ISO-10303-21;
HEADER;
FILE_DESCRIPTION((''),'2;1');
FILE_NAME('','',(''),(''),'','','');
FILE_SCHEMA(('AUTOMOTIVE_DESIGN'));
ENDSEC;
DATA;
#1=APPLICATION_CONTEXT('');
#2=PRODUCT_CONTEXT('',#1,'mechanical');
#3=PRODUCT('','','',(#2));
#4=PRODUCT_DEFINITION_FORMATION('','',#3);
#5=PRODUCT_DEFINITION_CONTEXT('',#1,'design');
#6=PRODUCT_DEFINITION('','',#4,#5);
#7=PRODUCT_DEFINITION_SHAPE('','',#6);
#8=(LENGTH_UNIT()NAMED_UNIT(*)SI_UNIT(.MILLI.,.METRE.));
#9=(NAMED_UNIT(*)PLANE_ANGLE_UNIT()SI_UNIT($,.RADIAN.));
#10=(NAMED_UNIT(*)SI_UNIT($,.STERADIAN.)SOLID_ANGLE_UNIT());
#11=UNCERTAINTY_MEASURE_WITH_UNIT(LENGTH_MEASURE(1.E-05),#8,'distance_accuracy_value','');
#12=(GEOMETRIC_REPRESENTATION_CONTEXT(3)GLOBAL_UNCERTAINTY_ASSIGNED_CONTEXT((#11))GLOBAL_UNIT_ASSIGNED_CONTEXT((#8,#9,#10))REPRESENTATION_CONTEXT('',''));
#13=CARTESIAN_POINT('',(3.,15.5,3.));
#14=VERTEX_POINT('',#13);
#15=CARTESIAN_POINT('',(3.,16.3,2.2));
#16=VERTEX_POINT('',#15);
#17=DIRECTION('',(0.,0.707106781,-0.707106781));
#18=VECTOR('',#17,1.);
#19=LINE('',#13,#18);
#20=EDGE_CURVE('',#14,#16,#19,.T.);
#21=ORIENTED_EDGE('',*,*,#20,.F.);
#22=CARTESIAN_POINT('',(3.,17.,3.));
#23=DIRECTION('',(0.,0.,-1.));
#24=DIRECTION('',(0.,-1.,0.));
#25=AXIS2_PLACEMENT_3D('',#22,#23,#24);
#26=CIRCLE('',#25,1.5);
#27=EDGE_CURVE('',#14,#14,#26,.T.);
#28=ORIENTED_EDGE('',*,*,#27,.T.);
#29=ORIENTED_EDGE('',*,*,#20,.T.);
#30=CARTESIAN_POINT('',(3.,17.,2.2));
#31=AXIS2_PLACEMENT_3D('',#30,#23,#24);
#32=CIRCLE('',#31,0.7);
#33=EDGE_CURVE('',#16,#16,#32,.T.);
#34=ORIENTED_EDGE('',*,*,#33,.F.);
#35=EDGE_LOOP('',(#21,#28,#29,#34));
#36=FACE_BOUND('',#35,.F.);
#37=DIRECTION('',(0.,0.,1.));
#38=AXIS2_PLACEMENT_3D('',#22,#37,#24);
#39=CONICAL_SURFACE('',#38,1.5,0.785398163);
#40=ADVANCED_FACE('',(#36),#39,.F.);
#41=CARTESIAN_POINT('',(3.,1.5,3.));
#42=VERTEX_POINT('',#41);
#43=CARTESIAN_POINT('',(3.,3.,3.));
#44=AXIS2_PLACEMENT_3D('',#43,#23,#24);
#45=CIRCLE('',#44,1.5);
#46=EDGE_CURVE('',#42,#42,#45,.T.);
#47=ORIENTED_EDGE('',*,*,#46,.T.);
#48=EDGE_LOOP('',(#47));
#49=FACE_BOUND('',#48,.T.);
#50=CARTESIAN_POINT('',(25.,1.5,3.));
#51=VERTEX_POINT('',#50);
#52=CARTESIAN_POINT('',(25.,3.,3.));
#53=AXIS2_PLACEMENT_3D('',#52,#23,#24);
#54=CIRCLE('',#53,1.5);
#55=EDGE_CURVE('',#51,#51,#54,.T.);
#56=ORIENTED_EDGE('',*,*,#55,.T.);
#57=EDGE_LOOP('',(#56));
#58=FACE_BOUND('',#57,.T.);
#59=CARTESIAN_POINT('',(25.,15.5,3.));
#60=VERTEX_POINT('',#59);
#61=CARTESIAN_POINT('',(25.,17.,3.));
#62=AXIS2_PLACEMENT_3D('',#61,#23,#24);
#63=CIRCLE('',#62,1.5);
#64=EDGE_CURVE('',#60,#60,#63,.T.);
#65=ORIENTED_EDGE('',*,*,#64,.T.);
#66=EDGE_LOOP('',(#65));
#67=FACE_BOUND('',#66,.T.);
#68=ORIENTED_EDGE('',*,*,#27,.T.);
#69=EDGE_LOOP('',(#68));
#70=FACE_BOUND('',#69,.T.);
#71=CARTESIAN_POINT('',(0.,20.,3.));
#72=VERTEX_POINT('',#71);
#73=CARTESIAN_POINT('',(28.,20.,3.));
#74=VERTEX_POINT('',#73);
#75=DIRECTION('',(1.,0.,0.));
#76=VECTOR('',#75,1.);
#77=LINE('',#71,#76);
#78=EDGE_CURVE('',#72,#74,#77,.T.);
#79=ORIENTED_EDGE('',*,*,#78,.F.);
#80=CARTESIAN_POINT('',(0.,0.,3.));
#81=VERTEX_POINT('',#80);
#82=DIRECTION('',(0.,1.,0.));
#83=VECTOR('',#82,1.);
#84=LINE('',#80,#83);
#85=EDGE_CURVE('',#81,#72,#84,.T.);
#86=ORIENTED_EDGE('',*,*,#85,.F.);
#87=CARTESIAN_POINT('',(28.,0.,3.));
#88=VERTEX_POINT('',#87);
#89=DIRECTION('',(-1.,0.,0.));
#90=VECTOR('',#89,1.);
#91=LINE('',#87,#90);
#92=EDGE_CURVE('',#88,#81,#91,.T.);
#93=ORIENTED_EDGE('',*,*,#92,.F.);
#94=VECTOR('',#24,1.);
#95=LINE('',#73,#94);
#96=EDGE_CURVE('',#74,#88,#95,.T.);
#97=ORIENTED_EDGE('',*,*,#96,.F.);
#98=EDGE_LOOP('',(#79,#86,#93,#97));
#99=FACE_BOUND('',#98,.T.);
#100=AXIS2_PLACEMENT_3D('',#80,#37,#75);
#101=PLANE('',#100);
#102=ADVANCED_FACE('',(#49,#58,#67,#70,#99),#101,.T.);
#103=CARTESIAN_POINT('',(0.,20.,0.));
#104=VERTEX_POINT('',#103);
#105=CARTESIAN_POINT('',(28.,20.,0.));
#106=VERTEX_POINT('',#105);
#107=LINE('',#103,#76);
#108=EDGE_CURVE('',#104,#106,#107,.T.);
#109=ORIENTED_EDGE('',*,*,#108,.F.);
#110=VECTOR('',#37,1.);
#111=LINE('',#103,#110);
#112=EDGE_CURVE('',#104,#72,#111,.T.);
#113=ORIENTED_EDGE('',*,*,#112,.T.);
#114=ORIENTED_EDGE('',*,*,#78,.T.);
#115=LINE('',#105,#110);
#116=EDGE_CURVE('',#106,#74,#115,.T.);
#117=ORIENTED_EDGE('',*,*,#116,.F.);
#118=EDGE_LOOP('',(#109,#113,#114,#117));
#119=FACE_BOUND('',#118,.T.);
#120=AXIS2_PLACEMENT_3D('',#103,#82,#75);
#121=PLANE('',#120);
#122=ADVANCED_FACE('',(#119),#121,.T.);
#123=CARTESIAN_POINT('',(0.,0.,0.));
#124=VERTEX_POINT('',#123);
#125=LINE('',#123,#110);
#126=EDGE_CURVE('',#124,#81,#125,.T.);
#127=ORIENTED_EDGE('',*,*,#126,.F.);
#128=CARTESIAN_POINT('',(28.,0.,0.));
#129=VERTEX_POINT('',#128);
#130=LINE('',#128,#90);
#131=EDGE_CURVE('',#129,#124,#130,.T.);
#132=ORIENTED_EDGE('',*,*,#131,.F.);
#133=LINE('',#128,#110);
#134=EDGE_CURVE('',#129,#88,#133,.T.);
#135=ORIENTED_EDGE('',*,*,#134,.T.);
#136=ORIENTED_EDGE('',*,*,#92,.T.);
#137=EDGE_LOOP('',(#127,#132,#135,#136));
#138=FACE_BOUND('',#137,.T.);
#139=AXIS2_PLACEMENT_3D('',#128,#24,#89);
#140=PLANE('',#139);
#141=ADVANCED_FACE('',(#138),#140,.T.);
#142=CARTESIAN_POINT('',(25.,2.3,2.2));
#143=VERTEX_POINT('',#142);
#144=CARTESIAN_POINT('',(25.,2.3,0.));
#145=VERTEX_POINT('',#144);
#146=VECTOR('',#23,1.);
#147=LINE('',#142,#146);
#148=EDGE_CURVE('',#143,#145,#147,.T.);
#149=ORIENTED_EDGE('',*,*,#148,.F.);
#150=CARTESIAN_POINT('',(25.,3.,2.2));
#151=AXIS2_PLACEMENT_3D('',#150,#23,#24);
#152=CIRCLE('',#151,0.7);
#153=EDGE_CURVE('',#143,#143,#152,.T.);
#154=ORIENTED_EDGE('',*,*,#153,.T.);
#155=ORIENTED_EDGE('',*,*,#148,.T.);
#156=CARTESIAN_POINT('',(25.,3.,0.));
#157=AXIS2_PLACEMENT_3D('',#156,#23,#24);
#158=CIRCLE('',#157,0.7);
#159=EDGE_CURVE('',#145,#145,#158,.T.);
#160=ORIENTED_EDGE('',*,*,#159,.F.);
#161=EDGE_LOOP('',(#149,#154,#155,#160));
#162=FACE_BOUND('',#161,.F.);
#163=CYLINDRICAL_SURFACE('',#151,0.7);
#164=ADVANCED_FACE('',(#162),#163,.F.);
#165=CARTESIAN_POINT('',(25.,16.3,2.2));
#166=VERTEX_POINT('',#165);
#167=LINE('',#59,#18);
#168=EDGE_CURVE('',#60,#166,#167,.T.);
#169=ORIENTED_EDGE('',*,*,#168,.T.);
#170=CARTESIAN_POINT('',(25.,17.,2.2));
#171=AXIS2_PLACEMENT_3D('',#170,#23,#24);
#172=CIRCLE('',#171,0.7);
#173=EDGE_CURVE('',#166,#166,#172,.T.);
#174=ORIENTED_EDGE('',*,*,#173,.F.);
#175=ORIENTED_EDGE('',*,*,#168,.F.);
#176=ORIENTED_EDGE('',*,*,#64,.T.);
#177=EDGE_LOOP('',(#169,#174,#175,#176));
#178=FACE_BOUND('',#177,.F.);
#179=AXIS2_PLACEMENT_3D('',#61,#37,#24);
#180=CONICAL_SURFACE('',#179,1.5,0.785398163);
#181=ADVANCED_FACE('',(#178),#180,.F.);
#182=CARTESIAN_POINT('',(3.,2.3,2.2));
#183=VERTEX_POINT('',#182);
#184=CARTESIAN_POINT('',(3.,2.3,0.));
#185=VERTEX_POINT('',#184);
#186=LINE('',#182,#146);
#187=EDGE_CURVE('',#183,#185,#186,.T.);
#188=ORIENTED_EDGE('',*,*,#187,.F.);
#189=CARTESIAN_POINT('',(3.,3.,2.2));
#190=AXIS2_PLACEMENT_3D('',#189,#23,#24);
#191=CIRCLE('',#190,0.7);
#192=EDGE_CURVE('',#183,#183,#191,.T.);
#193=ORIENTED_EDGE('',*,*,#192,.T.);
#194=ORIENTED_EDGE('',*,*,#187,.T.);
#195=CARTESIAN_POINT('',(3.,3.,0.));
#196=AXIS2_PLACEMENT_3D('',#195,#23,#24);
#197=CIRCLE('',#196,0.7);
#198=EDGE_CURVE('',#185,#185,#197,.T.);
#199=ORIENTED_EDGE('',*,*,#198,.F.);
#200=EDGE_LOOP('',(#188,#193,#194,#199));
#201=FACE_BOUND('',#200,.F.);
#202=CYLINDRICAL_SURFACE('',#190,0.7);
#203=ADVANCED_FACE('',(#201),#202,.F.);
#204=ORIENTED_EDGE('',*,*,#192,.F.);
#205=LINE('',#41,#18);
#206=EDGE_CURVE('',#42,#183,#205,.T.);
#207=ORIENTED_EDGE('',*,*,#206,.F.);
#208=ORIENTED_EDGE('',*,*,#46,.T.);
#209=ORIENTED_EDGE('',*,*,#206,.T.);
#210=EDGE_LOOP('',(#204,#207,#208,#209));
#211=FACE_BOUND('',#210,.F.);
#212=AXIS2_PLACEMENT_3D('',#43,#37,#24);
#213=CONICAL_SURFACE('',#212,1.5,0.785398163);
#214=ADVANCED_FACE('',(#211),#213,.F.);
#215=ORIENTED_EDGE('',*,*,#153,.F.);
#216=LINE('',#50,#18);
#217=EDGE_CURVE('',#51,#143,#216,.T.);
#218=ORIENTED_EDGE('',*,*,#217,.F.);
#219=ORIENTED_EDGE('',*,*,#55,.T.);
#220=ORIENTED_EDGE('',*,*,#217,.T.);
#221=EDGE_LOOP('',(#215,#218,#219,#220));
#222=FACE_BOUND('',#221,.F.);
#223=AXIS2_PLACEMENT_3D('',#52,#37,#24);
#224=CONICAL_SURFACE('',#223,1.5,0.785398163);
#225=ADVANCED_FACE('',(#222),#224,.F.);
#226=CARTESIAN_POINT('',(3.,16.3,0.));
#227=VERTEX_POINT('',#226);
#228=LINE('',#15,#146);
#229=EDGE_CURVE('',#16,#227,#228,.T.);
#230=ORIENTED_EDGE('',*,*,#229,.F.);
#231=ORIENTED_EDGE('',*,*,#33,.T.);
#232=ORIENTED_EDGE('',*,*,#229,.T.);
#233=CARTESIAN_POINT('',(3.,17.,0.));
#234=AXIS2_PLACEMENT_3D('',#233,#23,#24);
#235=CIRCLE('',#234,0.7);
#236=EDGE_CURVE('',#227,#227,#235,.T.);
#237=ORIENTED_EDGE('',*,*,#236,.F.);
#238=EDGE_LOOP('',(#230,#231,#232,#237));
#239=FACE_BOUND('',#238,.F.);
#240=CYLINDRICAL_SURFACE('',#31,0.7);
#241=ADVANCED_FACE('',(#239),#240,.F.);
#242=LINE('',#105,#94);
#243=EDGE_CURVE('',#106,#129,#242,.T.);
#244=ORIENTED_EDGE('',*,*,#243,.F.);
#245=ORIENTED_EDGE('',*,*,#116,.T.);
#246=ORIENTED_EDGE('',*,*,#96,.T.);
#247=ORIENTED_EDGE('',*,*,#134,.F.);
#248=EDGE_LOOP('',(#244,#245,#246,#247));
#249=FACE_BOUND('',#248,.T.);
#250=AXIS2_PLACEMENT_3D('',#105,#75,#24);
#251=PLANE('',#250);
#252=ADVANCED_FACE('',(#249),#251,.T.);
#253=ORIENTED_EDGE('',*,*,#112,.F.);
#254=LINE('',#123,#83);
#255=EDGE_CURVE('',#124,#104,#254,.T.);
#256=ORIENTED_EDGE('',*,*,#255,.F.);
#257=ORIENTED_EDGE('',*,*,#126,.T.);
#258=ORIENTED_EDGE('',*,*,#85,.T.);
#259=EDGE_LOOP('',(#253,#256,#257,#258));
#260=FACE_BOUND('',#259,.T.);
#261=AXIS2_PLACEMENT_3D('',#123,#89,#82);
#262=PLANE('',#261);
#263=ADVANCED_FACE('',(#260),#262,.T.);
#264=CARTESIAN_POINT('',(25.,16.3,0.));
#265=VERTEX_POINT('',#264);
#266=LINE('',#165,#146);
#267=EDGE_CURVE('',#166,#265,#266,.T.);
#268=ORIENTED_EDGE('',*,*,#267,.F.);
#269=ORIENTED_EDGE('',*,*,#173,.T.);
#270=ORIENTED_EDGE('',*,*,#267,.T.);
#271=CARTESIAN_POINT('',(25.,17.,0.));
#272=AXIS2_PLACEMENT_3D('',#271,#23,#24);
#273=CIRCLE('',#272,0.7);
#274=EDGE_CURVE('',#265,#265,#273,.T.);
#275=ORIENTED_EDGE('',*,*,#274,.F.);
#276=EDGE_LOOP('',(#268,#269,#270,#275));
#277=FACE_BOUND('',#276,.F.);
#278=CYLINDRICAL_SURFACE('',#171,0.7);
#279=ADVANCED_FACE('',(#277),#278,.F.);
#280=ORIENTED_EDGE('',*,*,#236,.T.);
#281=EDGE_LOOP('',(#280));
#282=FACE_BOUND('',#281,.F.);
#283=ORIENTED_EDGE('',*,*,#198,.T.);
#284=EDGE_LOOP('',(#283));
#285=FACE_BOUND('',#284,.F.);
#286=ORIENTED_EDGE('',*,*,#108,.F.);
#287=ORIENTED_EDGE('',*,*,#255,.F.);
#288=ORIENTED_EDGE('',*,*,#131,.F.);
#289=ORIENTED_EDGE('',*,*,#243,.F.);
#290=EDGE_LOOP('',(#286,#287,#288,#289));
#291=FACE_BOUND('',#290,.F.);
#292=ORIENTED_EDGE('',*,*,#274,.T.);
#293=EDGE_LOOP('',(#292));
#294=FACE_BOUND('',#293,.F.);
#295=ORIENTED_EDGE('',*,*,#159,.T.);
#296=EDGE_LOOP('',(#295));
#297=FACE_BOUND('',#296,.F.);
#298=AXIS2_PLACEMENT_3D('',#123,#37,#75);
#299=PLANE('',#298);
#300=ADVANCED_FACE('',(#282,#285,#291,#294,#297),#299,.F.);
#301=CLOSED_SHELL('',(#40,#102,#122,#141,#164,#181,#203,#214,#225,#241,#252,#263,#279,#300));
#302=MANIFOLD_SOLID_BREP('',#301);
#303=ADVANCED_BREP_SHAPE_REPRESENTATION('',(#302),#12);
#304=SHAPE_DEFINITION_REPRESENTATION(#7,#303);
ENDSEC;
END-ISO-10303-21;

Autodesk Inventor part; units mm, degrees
ref_plane "XZ Plane" through (0, 0, 0) normal (0, 1, 0) x (-1, 0, 0)
ref_plane "XY Plane" through (0, 0, 0) normal (0, 0, 1) x (1, 0, 0)
sketch "Skizze1" plane through (0, 0, 0) normal (0, 0, 1) x (1, 0, 0)
  line L0 (0, 20) -> (28, 20)
  line L1 (28, 20) -> (28, 0)
  line L2 (28, 0) -> (0, 0)
  line L3 (0, 0) -> (0, 20)
  dimension "d0" = 28
  dimension "d1" = 20
extrude "Extrusion1" add sketch "Skizze1" along normal blind 3
sketch "Skizze2" plane through (0, 0, 3) normal (0, 0, 1) x (1, 0, 0)
  line L0 (0, 20) -> (0, 0) projected
  line L1 (0, 10) -> (28.5763, 10) construction
  line L2 (28, 0) -> (28, 20) projected
  point P0 (3, 17)
  point P1 (3, 3)
  point P2 (25, 17)
  point P3 (25, 3)
  dimension "d4" = 14
  dimension "d5" = 3
  dimension "d14" = 3
hole "Bohrung1" at (3, 17, 3) at (3, 3, 3) at (25, 3, 3) at (25, 17, 3) direction (0, 0, -1) diameter 1.4 end through all countersink diameter 3 countersink angle 90
ref_plane "Arbeitsebene1" through (14, 0, 0) normal (1, 0, 0) x (0, 1, 0)
properties part number "Zylinderkopf" material "Stahl, galvanisiert"
